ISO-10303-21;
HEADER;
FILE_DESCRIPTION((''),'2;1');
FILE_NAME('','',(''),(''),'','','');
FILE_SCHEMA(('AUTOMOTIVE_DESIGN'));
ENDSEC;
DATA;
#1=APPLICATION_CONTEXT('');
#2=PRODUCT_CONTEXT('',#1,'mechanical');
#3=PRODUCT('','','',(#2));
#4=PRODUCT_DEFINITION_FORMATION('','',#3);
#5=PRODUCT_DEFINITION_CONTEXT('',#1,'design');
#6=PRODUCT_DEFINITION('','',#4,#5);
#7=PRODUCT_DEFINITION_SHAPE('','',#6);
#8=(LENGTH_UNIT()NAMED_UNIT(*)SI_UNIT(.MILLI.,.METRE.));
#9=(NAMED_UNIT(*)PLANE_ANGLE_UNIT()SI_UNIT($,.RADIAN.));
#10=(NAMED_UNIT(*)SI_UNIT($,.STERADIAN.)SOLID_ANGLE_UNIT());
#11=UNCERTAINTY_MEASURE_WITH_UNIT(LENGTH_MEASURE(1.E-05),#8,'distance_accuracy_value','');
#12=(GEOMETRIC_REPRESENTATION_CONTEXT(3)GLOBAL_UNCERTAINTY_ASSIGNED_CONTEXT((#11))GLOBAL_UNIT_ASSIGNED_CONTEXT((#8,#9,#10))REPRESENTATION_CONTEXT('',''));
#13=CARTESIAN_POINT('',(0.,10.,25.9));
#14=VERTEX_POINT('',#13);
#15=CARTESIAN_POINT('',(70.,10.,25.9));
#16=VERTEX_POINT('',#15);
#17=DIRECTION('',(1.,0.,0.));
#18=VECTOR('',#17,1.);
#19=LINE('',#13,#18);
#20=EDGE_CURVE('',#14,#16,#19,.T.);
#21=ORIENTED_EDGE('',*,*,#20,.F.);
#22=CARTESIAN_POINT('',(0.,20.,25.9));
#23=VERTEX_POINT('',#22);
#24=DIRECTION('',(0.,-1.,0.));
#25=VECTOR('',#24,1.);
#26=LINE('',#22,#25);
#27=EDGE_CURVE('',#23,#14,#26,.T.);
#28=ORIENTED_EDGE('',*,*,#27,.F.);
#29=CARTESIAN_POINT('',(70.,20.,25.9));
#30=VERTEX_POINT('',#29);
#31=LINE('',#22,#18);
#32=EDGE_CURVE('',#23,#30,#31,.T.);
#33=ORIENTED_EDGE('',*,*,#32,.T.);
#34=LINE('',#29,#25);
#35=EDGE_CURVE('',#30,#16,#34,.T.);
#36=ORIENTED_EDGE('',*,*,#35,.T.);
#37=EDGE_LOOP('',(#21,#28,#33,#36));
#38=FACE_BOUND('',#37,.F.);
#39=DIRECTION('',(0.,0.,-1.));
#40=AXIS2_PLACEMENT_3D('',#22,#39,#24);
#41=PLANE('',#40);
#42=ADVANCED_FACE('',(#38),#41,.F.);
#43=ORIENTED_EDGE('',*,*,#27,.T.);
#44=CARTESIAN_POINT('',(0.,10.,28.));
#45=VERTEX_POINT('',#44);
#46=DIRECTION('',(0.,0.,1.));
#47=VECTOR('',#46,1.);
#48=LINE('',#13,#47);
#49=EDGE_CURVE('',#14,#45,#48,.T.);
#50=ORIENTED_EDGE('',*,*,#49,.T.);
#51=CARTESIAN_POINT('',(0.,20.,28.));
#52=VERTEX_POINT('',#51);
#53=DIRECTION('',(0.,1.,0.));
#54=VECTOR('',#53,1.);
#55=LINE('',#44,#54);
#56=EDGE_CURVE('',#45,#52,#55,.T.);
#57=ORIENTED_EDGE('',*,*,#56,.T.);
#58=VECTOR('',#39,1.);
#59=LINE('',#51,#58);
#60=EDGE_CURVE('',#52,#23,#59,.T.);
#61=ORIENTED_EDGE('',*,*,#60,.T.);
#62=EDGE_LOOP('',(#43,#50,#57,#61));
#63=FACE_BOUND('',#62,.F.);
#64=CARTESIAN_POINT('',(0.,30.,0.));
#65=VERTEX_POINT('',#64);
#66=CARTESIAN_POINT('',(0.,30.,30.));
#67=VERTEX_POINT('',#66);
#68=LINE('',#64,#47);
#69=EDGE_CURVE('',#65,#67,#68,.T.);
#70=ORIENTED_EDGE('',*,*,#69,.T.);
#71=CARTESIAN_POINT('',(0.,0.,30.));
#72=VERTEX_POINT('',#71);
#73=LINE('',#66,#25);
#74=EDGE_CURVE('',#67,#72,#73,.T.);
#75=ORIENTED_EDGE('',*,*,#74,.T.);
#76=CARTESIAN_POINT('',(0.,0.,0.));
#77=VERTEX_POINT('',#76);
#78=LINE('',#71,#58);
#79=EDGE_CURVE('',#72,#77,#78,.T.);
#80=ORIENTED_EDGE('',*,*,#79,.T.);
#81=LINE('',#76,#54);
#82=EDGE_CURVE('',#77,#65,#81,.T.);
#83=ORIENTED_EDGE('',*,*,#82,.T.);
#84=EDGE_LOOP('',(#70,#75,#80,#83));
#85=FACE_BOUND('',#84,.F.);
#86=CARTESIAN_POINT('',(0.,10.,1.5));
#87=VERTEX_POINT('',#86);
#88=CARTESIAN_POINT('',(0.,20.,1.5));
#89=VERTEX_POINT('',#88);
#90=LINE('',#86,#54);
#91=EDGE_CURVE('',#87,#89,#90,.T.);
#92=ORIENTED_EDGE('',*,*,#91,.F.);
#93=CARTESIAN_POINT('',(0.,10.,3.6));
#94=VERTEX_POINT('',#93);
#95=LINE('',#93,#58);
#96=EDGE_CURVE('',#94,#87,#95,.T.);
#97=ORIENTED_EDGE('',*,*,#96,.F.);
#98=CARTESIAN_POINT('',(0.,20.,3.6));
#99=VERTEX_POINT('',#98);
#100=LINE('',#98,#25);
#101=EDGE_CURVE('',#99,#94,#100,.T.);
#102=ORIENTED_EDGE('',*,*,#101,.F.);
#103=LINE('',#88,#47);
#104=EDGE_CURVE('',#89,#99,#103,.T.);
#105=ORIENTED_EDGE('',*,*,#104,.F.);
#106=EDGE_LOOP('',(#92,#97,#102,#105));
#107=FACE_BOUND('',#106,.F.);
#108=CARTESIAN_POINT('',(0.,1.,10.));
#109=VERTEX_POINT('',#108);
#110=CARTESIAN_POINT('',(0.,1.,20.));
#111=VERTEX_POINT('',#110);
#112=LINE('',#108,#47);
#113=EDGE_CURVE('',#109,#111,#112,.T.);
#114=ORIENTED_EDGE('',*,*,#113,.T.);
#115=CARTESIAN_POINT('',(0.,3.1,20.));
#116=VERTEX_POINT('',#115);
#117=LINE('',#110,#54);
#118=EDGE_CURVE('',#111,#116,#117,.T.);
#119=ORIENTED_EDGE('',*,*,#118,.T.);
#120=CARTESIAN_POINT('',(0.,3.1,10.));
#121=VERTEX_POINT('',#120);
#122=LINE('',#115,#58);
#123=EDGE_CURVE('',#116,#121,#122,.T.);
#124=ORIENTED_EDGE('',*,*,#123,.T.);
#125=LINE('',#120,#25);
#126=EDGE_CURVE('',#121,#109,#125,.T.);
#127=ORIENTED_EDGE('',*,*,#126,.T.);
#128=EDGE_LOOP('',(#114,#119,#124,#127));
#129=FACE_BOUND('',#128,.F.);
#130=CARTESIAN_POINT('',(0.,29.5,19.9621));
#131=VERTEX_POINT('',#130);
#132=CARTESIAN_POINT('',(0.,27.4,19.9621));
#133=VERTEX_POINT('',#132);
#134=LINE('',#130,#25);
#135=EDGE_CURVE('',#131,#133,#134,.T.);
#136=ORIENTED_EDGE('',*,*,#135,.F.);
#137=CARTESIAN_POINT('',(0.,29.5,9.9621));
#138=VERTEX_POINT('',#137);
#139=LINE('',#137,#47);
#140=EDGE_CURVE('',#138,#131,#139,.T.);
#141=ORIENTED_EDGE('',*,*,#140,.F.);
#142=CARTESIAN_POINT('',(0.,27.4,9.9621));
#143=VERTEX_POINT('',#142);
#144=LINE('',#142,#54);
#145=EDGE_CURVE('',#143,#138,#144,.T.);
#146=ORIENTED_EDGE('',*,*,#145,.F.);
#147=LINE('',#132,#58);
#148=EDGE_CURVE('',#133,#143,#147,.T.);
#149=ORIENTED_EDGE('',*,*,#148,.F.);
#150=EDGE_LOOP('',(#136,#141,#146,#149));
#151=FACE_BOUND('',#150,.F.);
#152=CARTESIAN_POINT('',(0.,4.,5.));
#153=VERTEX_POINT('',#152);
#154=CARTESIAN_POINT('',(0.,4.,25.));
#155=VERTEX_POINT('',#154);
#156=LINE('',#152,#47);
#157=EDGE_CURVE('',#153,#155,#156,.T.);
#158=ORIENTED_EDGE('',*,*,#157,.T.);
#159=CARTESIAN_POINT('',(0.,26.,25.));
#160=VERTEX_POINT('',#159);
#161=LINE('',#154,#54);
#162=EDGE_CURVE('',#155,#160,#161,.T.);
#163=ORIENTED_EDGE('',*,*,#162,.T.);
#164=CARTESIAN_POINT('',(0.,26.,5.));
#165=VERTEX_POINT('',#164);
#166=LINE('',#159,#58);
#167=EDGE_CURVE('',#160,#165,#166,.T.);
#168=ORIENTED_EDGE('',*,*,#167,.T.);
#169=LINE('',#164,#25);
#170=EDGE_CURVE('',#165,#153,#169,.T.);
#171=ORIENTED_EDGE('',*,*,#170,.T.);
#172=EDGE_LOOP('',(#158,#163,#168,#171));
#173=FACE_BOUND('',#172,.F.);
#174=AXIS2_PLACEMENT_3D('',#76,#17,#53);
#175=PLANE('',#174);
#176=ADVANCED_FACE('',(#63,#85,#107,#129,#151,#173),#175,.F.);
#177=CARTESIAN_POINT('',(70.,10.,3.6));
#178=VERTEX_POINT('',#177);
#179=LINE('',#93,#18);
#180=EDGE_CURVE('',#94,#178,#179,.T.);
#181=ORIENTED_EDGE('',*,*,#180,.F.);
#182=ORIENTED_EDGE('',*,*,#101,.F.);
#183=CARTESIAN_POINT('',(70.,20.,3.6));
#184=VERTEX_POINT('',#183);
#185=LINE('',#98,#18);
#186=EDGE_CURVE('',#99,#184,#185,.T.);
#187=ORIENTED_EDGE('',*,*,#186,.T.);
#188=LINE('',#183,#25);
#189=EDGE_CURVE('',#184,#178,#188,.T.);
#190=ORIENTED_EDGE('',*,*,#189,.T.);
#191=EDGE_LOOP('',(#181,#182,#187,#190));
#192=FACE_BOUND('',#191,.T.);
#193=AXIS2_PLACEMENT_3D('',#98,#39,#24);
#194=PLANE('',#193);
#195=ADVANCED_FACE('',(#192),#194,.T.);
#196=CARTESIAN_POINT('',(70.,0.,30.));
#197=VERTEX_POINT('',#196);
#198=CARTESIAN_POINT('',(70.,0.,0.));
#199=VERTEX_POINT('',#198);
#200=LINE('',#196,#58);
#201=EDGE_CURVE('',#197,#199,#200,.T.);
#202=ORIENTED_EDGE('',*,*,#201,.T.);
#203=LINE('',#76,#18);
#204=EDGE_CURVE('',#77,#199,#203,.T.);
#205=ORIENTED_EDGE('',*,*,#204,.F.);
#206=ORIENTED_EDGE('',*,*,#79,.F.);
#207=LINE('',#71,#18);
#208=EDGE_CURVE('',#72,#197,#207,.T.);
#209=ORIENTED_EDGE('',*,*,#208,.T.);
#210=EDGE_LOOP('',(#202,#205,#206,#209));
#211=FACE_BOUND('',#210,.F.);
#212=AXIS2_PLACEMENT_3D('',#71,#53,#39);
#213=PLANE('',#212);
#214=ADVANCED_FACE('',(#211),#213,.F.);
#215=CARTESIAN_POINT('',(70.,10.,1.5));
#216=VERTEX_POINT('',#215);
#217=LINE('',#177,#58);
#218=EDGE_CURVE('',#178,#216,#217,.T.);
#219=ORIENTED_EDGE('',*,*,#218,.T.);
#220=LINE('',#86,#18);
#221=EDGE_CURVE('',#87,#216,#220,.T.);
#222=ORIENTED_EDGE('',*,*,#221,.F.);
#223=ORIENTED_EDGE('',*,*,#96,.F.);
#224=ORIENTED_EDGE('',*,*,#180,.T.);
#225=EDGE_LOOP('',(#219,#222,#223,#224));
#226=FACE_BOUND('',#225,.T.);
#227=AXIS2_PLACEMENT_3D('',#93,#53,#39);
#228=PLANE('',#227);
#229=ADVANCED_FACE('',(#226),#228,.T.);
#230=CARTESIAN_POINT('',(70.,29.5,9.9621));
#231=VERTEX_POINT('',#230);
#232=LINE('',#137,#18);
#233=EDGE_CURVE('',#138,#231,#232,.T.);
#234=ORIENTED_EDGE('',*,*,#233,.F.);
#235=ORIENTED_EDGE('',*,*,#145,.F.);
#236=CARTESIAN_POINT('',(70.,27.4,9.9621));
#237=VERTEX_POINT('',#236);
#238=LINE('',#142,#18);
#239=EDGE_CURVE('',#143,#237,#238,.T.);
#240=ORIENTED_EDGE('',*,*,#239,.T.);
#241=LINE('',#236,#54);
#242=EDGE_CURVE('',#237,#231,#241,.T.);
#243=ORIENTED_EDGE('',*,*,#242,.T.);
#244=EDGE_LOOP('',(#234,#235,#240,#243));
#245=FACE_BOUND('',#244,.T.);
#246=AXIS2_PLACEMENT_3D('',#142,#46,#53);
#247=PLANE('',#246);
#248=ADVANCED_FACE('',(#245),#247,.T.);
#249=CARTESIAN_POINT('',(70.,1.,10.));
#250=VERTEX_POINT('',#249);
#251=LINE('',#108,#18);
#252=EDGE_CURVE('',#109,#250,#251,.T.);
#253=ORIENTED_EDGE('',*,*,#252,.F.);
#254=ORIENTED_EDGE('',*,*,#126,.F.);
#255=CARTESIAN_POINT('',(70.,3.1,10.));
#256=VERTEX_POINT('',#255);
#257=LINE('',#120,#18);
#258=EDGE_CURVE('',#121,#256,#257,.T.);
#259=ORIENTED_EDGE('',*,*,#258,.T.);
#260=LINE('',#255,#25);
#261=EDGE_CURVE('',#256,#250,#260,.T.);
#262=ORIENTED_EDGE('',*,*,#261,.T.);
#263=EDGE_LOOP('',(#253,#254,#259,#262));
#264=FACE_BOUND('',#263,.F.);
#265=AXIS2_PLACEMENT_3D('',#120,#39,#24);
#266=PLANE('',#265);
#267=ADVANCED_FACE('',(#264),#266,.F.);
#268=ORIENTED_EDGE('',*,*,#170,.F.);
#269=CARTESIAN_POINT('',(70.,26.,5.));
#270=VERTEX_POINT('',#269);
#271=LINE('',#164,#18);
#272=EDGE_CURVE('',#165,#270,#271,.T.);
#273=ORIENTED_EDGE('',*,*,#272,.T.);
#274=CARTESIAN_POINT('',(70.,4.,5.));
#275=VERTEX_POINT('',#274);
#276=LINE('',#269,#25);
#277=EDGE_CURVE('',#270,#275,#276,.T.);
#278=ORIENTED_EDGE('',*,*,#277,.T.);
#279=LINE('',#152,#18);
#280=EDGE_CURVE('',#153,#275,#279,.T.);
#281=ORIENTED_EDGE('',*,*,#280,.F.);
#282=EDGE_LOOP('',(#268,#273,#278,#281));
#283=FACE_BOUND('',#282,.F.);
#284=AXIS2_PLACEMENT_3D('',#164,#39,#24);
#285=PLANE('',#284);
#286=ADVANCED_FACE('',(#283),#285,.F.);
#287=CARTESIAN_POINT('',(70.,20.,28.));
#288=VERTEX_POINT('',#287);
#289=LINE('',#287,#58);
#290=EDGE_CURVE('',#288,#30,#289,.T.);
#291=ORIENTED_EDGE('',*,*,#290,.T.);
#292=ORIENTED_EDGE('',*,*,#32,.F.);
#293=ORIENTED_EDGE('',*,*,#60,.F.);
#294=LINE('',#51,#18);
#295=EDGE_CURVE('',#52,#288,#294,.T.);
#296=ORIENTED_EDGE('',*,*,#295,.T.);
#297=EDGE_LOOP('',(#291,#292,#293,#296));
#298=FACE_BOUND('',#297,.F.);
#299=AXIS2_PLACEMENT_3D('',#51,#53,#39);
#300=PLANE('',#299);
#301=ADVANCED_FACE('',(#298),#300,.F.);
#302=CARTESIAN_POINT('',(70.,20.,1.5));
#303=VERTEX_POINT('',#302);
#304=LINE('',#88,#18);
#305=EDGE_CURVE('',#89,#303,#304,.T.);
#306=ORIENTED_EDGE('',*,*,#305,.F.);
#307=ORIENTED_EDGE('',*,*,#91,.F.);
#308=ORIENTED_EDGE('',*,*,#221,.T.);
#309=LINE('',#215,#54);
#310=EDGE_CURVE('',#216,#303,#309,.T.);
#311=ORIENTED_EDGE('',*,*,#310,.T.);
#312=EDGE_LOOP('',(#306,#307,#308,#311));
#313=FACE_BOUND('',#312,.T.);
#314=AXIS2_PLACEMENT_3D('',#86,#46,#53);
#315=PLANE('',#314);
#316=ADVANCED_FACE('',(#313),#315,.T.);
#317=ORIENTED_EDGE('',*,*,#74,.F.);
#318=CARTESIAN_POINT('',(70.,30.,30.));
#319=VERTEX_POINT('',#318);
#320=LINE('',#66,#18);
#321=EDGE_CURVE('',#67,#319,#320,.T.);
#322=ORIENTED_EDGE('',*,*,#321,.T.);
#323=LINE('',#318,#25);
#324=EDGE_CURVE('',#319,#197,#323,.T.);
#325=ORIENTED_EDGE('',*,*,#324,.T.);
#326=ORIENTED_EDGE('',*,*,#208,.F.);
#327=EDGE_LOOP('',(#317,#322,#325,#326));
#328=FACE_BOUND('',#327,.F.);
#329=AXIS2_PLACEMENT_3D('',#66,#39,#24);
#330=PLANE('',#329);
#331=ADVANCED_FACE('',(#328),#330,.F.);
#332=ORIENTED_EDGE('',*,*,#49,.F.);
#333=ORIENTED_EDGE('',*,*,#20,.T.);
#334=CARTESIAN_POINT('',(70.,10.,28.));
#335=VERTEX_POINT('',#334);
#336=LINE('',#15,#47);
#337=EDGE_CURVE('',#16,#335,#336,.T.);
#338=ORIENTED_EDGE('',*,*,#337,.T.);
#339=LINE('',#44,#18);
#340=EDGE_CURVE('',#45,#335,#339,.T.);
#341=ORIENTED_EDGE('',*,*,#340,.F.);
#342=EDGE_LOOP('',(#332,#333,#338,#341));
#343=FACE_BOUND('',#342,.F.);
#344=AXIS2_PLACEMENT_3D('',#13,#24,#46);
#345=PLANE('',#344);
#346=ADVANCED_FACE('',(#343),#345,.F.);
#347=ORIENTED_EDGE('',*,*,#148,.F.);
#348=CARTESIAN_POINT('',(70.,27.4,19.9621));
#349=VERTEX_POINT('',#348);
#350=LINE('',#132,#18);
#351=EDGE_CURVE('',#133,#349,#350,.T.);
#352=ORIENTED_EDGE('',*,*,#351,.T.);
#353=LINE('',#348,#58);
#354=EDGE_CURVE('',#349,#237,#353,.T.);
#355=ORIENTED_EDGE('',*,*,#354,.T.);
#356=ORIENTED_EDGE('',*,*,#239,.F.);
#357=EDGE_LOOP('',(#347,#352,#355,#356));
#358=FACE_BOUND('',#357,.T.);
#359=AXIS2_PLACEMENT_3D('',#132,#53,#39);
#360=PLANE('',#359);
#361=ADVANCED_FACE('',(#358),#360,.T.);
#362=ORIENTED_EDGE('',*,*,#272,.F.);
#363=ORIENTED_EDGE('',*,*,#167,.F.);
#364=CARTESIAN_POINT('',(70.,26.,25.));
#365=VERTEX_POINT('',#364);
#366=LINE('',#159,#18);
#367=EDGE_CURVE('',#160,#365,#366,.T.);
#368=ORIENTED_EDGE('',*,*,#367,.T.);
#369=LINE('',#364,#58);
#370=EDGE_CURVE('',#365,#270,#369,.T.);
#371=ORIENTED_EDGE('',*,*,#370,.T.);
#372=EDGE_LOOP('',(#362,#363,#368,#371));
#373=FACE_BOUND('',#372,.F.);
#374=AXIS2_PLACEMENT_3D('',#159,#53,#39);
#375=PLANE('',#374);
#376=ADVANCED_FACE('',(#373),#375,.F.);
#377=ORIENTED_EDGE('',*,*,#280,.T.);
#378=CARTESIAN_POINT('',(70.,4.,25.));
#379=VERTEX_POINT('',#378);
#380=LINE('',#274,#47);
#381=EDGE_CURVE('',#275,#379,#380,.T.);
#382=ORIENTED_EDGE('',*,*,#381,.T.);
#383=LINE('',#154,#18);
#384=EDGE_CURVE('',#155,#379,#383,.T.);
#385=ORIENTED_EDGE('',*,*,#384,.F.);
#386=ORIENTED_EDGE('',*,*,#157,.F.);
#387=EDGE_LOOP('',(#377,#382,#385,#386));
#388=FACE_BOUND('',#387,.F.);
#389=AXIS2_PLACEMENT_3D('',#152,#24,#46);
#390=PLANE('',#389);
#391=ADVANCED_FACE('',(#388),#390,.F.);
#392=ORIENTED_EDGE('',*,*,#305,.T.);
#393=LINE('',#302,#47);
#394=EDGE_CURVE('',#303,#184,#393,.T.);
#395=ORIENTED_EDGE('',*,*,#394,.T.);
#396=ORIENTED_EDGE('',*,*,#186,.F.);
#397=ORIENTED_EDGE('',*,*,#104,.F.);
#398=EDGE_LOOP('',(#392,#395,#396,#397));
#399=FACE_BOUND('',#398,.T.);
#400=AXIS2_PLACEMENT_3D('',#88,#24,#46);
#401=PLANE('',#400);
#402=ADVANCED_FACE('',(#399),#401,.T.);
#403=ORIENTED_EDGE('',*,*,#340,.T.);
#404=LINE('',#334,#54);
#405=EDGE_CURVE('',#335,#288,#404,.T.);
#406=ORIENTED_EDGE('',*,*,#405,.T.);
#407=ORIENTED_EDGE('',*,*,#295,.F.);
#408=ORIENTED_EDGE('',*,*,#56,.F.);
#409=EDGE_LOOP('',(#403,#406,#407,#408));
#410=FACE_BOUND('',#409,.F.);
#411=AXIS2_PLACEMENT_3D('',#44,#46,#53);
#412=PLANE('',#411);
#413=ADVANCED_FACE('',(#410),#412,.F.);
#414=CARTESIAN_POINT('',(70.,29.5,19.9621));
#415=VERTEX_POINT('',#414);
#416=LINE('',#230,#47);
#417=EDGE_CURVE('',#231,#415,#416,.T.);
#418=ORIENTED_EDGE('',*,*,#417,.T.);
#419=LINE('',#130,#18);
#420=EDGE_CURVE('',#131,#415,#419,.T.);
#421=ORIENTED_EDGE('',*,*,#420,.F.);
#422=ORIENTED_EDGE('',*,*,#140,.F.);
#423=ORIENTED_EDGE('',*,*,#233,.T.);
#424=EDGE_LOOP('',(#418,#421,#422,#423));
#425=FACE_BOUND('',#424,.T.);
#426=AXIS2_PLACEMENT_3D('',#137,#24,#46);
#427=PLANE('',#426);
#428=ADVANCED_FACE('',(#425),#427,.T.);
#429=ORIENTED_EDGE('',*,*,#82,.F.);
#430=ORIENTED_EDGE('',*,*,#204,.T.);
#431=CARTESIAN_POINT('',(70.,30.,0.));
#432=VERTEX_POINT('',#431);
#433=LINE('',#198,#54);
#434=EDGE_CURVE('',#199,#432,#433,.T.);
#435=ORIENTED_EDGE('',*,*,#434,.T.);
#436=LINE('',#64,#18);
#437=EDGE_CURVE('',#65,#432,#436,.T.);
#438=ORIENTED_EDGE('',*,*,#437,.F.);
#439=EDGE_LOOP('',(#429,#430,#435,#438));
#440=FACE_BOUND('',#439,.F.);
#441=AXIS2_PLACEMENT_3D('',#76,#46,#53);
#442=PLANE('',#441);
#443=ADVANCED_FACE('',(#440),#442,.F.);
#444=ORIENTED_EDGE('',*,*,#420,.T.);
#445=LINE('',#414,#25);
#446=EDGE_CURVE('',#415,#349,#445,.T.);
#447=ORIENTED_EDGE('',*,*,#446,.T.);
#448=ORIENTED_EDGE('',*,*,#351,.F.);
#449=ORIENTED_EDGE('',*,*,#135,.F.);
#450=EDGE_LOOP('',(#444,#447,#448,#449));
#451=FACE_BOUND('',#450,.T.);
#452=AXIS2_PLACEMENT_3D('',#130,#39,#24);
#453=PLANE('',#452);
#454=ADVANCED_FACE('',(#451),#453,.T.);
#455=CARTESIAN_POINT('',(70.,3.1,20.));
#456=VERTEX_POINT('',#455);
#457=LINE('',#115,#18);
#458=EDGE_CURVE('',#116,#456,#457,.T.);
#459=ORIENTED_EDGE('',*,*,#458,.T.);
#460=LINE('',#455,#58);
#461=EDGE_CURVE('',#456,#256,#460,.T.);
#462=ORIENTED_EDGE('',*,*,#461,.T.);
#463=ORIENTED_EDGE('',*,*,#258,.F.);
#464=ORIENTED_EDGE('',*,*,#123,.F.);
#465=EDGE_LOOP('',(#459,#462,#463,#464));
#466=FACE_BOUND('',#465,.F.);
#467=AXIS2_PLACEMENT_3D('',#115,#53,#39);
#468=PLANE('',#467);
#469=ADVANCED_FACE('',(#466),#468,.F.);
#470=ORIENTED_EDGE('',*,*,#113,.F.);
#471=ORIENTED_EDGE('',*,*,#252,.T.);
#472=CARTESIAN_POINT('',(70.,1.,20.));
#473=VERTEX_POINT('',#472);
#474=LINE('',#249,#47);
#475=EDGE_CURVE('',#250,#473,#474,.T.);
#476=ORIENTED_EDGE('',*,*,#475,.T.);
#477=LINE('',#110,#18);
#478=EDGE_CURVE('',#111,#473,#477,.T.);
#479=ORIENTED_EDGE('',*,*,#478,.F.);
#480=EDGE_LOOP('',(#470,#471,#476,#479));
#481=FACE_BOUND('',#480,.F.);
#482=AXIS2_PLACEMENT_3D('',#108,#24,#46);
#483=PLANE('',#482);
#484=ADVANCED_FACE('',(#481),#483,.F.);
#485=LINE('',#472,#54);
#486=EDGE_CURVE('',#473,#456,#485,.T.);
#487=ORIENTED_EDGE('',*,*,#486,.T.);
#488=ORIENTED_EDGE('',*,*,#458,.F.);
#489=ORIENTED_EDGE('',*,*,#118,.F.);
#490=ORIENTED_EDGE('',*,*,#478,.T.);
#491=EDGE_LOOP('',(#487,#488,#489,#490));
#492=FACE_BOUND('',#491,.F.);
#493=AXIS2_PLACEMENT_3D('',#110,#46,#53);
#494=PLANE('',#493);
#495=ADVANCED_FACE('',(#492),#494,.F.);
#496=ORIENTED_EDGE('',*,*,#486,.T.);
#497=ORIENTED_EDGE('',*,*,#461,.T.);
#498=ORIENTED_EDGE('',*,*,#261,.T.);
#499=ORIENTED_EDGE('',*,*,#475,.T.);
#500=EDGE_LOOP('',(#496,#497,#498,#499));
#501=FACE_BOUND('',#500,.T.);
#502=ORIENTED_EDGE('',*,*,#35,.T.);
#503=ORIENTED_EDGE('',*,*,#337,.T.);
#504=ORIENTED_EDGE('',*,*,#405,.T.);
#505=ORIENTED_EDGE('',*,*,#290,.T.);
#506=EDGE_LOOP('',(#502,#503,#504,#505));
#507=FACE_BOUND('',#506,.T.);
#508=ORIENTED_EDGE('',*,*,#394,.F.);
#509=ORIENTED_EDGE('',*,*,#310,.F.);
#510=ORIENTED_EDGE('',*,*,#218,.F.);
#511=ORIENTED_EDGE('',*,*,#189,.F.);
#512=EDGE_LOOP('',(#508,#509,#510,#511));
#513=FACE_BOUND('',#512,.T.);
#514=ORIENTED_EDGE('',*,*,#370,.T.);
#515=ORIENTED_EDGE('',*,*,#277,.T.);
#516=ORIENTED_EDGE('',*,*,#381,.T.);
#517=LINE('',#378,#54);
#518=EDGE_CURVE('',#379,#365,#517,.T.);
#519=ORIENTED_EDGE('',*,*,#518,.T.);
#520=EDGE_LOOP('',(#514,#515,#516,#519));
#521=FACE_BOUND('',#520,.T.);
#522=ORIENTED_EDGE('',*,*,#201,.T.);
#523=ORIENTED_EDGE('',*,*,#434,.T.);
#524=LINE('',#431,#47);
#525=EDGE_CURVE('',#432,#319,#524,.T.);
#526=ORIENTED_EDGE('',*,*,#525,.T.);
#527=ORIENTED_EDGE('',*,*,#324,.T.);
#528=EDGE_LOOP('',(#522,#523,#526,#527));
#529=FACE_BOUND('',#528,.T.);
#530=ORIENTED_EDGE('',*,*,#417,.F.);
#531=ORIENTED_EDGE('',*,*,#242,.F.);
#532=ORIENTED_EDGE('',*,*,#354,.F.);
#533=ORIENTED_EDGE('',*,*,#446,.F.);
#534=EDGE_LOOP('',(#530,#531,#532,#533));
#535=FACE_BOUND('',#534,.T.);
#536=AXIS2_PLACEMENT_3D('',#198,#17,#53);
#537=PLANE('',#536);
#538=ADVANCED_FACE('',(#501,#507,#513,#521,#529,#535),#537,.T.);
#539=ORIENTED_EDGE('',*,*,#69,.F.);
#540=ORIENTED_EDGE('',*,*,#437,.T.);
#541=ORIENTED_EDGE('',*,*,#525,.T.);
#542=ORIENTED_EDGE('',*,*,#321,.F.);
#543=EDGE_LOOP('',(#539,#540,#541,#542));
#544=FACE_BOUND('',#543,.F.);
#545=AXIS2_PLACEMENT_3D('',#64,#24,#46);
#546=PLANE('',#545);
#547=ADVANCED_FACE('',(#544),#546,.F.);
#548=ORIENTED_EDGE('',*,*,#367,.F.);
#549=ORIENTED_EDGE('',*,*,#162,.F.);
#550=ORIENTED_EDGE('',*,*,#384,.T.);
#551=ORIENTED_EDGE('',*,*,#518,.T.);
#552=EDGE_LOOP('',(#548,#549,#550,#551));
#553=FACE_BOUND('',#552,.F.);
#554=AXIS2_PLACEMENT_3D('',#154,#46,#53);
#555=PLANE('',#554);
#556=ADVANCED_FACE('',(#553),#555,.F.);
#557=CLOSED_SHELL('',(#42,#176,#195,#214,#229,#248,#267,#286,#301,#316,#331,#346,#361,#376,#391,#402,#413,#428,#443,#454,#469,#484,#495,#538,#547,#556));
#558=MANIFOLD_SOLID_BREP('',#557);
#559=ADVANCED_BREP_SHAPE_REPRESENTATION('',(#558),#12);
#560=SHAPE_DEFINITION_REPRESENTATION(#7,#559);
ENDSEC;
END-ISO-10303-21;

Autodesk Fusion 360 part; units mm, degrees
sketch "Sketch1" plane through (0, 0, 0) normal (1, 0, 0) x (0, 1, 0)
  line L0 (0, 0) -> (30, 0)
  line L1 (30, 0) -> (30, 30)
  line L2 (30, 30) -> (0, 30)
  line L3 (0, 30) -> (0, 0)
  line L4 (1, 20) -> (3.1, 20)
  line L5 (3.1, 20) -> (3.1, 10)
  line L6 (3.1, 10) -> (1, 10)
  line L7 (1, 10) -> (1, 20)
  line L8 (10, 28) -> (20, 28)
  line L9 (20, 28) -> (20, 25.9)
  line L10 (20, 25.9) -> (10, 25.9)
  line L11 (10, 25.9) -> (10, 28)
  line L12 (29.5, 19.9621) -> (27.4, 19.9621)
  line L13 (27.4, 19.9621) -> (27.4, 9.9621)
  line L14 (27.4, 9.9621) -> (29.5, 9.9621)
  line L15 (29.5, 9.9621) -> (29.5, 19.9621)
  line L16 (10, 1.5) -> (20, 1.5)
  line L17 (20, 1.5) -> (20, 3.6)
  line L18 (20, 3.6) -> (10, 3.6)
  line L19 (10, 3.6) -> (10, 1.5)
  line L20 (4, 25) -> (26, 25)
  line L21 (26, 25) -> (26, 5)
  line L22 (26, 5) -> (4, 5)
  line L23 (4, 5) -> (4, 25)
  dimension "d1" = 30
  dimension "d2" = 30
  dimension "d3" = 2.1
  dimension "d4" = 10
  dimension "d5" = 10
  dimension "d6" = 2.1
  dimension "d7" = 2.1
  dimension "d8" = 10
  dimension "d9" = 0.5
  dimension "d10" = 10
  dimension "d11" = 2.1
  dimension "d12" = 1.5
extrude "Extrude1" add sketch "Sketch1" along normal blind 70
